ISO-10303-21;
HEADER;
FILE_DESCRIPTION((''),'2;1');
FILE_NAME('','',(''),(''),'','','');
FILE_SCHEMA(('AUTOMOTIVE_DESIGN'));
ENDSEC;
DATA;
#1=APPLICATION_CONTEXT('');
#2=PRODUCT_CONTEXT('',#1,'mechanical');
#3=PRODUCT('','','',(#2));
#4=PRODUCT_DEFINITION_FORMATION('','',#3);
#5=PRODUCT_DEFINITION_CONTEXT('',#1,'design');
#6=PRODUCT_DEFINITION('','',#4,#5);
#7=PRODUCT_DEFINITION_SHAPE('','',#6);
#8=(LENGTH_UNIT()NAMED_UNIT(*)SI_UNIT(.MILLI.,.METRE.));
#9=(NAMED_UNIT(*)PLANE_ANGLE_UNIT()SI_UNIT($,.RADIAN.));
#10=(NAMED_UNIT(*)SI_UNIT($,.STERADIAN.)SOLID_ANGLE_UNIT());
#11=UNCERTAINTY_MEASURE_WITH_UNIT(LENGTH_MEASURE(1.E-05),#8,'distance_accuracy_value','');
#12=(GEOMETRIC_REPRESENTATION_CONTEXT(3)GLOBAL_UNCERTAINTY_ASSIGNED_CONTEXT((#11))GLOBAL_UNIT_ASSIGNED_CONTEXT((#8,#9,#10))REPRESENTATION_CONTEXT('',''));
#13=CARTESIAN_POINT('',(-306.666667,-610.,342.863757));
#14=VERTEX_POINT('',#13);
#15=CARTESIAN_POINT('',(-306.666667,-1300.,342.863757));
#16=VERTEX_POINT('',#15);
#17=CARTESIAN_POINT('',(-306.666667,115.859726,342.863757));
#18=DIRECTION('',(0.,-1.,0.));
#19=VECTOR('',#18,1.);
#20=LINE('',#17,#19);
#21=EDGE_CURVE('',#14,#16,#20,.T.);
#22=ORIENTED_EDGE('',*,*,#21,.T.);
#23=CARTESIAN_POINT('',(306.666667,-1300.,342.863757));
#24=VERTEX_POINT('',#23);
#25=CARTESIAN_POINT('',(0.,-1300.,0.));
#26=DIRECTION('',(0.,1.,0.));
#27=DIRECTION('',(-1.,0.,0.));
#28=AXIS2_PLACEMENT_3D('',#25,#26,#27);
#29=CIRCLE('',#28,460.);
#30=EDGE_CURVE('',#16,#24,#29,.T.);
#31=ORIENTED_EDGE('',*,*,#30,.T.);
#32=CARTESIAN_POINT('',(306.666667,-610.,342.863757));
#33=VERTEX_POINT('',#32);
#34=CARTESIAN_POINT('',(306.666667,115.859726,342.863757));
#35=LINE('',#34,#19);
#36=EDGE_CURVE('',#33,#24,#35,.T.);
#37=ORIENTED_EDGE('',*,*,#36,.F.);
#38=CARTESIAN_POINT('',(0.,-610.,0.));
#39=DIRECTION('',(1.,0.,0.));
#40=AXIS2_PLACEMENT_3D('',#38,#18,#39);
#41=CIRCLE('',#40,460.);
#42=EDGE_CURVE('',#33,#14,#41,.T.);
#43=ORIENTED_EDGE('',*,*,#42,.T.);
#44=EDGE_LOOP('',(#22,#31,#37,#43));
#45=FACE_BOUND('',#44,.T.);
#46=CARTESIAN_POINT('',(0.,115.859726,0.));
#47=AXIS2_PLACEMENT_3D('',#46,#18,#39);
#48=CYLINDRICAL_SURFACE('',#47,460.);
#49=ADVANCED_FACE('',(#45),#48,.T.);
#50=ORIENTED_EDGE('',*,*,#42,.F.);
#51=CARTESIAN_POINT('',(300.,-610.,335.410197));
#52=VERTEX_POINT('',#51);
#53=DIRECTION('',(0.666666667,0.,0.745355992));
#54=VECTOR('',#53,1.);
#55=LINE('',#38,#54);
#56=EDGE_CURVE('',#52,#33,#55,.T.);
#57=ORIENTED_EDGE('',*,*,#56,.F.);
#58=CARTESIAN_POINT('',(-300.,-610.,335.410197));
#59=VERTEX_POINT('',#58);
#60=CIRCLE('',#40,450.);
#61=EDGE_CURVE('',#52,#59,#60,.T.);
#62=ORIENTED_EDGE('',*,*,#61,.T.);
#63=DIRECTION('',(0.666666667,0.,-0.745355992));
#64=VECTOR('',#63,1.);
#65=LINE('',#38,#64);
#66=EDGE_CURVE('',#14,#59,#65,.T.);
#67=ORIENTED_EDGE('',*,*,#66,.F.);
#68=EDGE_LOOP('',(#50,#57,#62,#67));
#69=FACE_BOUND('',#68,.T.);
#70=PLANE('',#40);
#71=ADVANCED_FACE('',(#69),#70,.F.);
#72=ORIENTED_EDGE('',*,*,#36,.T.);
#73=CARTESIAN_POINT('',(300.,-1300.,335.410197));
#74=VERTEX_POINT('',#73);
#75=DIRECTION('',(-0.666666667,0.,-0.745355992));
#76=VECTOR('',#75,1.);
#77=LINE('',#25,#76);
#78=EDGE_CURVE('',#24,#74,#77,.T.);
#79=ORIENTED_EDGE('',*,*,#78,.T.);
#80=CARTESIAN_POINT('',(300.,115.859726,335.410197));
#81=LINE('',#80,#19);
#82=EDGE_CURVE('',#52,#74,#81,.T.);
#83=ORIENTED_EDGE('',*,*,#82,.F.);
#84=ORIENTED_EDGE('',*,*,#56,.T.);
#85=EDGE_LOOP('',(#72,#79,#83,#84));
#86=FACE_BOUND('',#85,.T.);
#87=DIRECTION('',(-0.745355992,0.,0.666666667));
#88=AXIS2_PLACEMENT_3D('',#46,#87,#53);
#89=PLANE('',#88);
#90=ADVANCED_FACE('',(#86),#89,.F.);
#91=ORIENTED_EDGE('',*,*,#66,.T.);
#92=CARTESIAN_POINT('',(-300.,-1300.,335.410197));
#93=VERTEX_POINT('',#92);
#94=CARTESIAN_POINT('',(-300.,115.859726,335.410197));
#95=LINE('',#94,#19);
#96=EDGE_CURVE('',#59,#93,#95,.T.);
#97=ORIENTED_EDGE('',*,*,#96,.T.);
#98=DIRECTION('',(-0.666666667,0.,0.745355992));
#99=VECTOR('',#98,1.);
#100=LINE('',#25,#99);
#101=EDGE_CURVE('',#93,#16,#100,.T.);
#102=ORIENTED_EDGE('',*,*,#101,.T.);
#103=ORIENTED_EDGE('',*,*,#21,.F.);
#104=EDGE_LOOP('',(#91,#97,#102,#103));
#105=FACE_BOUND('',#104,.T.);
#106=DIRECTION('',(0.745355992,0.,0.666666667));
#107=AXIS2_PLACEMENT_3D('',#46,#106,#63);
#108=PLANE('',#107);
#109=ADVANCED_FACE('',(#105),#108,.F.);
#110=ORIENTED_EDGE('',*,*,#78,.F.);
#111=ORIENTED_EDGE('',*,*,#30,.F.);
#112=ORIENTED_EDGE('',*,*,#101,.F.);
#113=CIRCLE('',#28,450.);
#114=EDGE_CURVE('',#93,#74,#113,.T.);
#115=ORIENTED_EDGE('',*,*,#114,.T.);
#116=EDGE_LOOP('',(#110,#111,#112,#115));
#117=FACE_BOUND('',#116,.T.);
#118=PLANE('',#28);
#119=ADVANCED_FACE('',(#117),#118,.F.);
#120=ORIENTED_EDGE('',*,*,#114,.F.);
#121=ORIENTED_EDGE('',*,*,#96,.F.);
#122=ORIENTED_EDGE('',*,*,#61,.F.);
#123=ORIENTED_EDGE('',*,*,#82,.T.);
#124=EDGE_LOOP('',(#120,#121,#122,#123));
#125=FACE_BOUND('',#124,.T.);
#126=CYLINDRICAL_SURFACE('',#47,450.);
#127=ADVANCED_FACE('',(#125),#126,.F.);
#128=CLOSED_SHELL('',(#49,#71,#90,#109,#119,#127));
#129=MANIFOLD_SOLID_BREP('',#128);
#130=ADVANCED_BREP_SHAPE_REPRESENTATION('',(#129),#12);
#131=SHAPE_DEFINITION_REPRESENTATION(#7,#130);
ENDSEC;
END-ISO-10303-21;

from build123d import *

# Parameters (mm, degrees)
BOSS_EXTRUDE1_START = -100
BOSS_EXTRUDE1_DEPTH = 690


with BuildPart() as part:
    # Sketch1 → Boss-Extrude1 (new body)
    with BuildSketch(Plane.XZ.offset(1400).offset(BOSS_EXTRUDE1_START)):
        with BuildLine():
            Line((-306.666666667, 342.86375655), (-300, 335.410196625))
            ThreePointArc((-300, 335.410196625), (0, 450), (300, 335.410196625))
            Line((300, 335.410196625), (306.666666667, 342.86375655))
            ThreePointArc((306.666666667, 342.86375655), (0, 460), (-306.666666667, 342.86375655))
        make_face()
    extrude(amount=-BOSS_EXTRUDE1_DEPTH)


solid = part.part
